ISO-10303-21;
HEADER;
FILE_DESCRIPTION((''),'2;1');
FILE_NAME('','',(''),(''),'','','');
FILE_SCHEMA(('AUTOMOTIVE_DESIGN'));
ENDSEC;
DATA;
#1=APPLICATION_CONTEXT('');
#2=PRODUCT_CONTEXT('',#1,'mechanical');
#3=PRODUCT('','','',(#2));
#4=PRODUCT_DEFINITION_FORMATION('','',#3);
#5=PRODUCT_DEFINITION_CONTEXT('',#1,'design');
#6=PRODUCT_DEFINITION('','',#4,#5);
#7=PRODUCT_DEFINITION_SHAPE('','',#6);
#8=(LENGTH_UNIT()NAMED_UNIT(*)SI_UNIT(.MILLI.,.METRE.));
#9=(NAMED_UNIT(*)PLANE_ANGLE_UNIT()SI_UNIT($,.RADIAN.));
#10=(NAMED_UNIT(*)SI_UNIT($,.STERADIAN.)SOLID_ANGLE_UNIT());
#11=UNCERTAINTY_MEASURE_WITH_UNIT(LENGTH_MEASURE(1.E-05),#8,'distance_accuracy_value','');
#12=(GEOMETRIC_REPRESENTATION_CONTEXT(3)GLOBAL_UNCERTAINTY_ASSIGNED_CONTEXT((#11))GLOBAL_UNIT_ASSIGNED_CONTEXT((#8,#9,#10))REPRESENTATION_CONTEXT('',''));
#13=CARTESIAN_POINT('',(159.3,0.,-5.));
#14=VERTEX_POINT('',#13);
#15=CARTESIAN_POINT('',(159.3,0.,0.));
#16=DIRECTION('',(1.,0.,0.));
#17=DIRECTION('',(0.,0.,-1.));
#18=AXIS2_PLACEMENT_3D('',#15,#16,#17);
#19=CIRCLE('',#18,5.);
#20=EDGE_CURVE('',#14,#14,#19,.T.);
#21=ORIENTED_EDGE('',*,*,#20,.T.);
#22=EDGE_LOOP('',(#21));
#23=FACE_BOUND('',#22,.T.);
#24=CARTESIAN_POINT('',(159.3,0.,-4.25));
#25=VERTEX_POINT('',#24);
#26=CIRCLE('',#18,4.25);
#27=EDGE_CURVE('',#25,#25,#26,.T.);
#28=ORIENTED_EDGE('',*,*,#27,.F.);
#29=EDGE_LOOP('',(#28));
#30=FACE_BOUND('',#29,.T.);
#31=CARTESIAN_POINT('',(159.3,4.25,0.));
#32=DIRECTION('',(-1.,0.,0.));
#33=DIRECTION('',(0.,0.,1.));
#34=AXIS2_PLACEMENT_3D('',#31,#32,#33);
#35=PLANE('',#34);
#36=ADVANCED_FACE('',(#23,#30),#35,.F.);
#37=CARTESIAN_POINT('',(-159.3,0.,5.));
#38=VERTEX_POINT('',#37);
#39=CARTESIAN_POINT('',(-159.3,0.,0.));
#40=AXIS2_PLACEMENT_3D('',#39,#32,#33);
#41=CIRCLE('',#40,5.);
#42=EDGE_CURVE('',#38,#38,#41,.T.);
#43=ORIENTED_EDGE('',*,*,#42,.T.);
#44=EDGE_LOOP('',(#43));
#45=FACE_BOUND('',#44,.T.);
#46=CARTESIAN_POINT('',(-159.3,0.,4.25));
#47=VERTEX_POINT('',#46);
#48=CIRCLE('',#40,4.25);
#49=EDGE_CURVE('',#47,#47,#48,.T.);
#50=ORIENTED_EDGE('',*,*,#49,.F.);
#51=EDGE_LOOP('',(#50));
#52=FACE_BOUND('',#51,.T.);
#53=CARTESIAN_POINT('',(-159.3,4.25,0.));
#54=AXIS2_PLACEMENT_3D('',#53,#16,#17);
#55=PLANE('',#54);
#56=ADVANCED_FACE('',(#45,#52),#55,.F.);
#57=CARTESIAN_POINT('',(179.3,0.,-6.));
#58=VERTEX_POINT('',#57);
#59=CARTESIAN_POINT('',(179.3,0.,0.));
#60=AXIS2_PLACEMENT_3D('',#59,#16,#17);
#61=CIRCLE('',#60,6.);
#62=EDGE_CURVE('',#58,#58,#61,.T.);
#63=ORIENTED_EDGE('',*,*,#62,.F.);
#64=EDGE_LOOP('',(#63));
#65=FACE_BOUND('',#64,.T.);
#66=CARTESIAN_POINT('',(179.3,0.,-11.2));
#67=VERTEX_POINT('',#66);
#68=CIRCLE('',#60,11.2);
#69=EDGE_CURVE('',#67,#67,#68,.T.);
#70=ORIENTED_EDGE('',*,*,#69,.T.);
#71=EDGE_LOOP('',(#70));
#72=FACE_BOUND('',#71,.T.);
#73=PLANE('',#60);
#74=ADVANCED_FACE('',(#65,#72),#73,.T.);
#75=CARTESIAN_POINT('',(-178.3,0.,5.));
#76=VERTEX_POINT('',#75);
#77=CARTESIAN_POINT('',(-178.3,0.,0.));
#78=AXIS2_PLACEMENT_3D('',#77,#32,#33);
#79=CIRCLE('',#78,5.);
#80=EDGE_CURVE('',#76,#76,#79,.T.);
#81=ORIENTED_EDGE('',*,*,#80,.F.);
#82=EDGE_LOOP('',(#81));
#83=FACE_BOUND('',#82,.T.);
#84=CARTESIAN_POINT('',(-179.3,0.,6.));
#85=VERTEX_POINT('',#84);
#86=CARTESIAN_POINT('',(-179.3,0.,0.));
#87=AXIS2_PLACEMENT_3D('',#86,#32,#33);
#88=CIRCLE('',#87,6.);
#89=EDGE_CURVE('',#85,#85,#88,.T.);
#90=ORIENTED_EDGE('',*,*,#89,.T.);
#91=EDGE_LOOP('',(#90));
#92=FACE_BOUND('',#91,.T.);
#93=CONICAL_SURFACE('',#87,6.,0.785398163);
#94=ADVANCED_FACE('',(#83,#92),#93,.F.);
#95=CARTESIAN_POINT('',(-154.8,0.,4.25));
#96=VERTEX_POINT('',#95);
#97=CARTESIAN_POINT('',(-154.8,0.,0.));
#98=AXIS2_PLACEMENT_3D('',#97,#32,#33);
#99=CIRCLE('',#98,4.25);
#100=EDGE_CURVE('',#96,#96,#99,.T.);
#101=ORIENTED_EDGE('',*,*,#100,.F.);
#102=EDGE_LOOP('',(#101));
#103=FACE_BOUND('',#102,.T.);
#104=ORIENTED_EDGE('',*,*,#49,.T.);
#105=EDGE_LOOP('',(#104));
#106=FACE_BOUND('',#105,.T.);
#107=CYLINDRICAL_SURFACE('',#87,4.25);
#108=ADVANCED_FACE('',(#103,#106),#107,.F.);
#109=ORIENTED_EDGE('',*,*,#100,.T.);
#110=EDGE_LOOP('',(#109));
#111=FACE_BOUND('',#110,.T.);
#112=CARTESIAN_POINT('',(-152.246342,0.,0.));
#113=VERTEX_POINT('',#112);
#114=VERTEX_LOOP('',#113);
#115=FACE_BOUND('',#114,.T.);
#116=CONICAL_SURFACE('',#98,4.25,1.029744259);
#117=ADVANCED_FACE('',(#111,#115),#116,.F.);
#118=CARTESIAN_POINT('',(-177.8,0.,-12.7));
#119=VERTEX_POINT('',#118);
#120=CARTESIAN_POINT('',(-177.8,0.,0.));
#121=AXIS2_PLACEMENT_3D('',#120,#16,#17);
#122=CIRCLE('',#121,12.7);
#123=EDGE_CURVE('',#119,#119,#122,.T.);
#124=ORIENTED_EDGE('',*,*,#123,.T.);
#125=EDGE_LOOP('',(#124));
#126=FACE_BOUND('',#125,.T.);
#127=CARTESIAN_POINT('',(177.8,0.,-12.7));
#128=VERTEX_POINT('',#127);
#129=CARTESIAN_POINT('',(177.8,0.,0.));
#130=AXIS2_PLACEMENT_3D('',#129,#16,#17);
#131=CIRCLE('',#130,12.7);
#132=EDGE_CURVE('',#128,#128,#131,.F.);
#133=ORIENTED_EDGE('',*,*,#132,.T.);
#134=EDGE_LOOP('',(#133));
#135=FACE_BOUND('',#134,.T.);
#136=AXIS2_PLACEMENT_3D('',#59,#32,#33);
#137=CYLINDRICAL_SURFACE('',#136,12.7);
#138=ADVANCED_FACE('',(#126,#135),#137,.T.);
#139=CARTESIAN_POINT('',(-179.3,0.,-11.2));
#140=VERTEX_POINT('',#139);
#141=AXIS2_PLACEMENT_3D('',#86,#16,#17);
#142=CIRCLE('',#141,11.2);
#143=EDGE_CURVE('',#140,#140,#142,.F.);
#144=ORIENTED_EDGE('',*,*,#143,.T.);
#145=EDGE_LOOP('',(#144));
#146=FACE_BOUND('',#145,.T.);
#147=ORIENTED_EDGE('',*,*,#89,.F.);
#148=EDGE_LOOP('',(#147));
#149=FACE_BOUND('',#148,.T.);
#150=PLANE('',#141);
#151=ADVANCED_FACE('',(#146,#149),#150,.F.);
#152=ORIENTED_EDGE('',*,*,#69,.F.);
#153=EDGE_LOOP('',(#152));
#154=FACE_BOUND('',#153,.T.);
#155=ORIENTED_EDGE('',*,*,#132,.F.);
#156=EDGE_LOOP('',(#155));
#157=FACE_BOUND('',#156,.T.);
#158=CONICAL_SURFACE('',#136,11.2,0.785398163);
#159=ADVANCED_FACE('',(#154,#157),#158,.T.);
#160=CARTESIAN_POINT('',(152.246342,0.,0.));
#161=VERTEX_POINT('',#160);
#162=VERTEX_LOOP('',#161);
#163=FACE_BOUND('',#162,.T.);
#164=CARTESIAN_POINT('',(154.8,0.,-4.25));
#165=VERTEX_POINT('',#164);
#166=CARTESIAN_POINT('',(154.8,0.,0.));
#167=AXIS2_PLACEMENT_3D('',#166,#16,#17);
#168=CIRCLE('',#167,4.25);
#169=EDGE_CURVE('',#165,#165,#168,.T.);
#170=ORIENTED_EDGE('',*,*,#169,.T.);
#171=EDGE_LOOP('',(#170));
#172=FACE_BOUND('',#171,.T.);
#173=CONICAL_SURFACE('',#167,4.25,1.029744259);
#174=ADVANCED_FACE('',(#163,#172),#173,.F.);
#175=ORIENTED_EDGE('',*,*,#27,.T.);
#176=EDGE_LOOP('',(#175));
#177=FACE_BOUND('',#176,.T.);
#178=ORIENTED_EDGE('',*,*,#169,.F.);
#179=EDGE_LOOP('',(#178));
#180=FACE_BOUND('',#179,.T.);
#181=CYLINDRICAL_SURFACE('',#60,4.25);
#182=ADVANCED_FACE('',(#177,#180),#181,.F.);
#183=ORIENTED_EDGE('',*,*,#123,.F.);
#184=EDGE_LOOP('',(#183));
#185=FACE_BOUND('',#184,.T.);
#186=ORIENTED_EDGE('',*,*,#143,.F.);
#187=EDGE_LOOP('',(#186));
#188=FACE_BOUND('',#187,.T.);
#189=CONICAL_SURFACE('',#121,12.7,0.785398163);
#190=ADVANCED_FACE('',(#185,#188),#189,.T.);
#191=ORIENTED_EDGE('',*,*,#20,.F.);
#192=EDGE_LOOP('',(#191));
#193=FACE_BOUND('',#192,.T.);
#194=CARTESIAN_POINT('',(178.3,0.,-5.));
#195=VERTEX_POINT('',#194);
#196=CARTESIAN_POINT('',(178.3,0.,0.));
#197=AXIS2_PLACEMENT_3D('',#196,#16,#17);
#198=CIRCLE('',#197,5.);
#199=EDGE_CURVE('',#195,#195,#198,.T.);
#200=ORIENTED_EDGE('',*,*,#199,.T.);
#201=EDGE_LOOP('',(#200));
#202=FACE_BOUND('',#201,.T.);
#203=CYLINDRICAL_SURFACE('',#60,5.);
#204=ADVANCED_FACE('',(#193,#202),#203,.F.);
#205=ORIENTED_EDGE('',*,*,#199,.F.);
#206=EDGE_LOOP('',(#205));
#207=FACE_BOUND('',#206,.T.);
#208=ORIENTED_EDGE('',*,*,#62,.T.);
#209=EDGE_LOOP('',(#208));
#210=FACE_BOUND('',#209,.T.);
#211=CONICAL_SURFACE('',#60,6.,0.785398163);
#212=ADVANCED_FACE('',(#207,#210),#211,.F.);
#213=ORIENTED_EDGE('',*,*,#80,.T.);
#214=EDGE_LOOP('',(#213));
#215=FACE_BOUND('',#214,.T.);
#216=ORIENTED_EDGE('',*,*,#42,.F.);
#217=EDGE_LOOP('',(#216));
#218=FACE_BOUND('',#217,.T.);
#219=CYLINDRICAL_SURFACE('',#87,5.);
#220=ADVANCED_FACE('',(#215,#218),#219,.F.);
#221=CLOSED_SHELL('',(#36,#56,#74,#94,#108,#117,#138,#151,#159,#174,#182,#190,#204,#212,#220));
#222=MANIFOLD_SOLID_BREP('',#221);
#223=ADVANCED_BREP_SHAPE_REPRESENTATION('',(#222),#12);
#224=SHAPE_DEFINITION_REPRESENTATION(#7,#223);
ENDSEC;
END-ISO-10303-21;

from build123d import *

# Parameters (mm, degrees)
SKETCH2_R           = 12.7
BOSS_EXTRUDE1_DEPTH = 179.3
CHAMFER1_SIZE       = 1.5


with BuildPart() as part:
    # Sketch2 → Boss-Extrude1 (new, symmetric)
    with BuildSketch(Plane(origin=(0, 0, 0), x_dir=(0, 0, -1), z_dir=(1, 0, 0))):
        Circle(SKETCH2_R)
    extrude(amount=BOSS_EXTRUDE1_DEPTH, both=True)

    # Chamfer1
    chamfer1_edges = [part.edges().sort_by_distance(p)[0] for p in [
        (-179.3, 0, 12.7),
        (179.3, 0, 12.7),
    ]]
    chamfer(chamfer1_edges, length=CHAMFER1_SIZE)

    # Sketch5 → M10 Tapped Hole1 (revolve, cut)
    with BuildSketch(Plane(origin=(179.3, 0, 0), x_dir=(0, 0, -1), z_dir=(0, 1, 0))):
        Polygon((0, 0), (0, 27.053657631), (4.25, 24.5), (4.25, 20), (5, 20), (5, 1), (6, 0), align=None)
    m10_tapped_hole1 = revolve(axis=Axis((185.65, 0, 0), (-1, 0, 0)), mode=Mode.SUBTRACT)

    # Mirror1: M10 Tapped Hole1 across plane
    add(m10_tapped_hole1.mirror(Plane(origin=(0, 0, 0), x_dir=(0, 0, 1), z_dir=(1, 0, 0))), mode=Mode.SUBTRACT)


solid = part.part
